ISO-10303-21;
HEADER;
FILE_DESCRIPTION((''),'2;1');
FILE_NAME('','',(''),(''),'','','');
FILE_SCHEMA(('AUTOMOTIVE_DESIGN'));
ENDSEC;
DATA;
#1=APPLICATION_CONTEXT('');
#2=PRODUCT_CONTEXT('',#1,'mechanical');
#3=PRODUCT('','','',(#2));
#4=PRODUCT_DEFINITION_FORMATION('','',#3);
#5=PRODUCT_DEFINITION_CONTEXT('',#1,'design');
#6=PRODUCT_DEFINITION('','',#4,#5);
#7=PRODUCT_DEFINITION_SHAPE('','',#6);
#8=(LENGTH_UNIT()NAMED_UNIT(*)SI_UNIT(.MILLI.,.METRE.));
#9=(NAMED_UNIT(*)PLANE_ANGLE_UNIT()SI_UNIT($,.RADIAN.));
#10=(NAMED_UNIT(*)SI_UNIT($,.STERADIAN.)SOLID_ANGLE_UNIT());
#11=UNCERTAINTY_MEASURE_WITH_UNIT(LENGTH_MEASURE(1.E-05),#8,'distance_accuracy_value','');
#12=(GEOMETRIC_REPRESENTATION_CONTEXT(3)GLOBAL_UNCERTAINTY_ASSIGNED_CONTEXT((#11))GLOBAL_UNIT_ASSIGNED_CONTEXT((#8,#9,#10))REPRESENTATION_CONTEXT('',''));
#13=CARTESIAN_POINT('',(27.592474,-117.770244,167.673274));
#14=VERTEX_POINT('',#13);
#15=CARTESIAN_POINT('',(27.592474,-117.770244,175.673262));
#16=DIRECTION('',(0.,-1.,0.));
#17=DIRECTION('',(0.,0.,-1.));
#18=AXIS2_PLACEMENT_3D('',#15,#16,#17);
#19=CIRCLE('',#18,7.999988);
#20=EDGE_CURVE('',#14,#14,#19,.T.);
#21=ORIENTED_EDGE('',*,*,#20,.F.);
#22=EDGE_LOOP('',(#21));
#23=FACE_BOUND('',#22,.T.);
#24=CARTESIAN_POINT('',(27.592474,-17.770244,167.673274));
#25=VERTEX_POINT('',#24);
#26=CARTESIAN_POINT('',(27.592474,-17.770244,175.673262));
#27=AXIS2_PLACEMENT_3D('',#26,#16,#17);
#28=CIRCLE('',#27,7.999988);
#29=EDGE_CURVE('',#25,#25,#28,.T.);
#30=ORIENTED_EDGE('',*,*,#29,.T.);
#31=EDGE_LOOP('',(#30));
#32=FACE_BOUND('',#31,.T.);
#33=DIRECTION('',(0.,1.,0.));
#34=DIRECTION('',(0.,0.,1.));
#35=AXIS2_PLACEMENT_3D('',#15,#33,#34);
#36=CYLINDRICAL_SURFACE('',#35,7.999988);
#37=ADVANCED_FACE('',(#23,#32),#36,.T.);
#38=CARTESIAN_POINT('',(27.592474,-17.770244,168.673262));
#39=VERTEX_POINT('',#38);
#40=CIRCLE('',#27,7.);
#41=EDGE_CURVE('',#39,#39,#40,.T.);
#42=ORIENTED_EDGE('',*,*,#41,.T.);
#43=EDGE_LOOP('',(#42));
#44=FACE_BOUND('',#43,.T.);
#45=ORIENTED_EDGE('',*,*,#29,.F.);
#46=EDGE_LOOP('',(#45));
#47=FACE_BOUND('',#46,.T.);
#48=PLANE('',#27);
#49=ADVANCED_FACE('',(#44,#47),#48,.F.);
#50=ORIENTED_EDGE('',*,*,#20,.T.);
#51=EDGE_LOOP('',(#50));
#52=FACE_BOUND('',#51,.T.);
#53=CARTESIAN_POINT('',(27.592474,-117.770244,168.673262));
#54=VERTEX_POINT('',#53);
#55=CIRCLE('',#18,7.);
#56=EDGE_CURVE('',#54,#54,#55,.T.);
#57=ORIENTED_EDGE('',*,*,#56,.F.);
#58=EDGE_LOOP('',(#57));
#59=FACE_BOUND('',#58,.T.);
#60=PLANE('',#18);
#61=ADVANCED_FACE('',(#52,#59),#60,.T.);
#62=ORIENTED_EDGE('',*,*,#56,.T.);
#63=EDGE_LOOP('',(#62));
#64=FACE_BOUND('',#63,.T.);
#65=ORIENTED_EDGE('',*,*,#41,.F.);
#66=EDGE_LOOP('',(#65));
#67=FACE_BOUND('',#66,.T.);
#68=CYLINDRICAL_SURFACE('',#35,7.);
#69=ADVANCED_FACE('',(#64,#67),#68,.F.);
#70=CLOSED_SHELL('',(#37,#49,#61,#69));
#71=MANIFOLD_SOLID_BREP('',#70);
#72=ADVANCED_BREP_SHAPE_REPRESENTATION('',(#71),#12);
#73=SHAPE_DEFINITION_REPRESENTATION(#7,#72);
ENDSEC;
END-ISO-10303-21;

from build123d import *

# Parameters (mm, degrees)
SKETCH1_R           = 7.999988497
SKETCH1_R_2         = 7
BOSS_EXTRUDE1_DEPTH = 100


with BuildPart() as part:
    # Sketch1 → Boss-Extrude1 (new body)
    with BuildSketch(Plane.XZ.offset(17.770243558)):
        with Locations(Location((27.592473816, 175.673262417, 0), (0, 0, 270))):
            Circle(SKETCH1_R)
        with Locations(Location((27.592473816, 175.673262417, 0), (0, 0, 270))):
            Circle(SKETCH1_R_2, mode=Mode.SUBTRACT)
    extrude(amount=BOSS_EXTRUDE1_DEPTH)


solid = part.part
